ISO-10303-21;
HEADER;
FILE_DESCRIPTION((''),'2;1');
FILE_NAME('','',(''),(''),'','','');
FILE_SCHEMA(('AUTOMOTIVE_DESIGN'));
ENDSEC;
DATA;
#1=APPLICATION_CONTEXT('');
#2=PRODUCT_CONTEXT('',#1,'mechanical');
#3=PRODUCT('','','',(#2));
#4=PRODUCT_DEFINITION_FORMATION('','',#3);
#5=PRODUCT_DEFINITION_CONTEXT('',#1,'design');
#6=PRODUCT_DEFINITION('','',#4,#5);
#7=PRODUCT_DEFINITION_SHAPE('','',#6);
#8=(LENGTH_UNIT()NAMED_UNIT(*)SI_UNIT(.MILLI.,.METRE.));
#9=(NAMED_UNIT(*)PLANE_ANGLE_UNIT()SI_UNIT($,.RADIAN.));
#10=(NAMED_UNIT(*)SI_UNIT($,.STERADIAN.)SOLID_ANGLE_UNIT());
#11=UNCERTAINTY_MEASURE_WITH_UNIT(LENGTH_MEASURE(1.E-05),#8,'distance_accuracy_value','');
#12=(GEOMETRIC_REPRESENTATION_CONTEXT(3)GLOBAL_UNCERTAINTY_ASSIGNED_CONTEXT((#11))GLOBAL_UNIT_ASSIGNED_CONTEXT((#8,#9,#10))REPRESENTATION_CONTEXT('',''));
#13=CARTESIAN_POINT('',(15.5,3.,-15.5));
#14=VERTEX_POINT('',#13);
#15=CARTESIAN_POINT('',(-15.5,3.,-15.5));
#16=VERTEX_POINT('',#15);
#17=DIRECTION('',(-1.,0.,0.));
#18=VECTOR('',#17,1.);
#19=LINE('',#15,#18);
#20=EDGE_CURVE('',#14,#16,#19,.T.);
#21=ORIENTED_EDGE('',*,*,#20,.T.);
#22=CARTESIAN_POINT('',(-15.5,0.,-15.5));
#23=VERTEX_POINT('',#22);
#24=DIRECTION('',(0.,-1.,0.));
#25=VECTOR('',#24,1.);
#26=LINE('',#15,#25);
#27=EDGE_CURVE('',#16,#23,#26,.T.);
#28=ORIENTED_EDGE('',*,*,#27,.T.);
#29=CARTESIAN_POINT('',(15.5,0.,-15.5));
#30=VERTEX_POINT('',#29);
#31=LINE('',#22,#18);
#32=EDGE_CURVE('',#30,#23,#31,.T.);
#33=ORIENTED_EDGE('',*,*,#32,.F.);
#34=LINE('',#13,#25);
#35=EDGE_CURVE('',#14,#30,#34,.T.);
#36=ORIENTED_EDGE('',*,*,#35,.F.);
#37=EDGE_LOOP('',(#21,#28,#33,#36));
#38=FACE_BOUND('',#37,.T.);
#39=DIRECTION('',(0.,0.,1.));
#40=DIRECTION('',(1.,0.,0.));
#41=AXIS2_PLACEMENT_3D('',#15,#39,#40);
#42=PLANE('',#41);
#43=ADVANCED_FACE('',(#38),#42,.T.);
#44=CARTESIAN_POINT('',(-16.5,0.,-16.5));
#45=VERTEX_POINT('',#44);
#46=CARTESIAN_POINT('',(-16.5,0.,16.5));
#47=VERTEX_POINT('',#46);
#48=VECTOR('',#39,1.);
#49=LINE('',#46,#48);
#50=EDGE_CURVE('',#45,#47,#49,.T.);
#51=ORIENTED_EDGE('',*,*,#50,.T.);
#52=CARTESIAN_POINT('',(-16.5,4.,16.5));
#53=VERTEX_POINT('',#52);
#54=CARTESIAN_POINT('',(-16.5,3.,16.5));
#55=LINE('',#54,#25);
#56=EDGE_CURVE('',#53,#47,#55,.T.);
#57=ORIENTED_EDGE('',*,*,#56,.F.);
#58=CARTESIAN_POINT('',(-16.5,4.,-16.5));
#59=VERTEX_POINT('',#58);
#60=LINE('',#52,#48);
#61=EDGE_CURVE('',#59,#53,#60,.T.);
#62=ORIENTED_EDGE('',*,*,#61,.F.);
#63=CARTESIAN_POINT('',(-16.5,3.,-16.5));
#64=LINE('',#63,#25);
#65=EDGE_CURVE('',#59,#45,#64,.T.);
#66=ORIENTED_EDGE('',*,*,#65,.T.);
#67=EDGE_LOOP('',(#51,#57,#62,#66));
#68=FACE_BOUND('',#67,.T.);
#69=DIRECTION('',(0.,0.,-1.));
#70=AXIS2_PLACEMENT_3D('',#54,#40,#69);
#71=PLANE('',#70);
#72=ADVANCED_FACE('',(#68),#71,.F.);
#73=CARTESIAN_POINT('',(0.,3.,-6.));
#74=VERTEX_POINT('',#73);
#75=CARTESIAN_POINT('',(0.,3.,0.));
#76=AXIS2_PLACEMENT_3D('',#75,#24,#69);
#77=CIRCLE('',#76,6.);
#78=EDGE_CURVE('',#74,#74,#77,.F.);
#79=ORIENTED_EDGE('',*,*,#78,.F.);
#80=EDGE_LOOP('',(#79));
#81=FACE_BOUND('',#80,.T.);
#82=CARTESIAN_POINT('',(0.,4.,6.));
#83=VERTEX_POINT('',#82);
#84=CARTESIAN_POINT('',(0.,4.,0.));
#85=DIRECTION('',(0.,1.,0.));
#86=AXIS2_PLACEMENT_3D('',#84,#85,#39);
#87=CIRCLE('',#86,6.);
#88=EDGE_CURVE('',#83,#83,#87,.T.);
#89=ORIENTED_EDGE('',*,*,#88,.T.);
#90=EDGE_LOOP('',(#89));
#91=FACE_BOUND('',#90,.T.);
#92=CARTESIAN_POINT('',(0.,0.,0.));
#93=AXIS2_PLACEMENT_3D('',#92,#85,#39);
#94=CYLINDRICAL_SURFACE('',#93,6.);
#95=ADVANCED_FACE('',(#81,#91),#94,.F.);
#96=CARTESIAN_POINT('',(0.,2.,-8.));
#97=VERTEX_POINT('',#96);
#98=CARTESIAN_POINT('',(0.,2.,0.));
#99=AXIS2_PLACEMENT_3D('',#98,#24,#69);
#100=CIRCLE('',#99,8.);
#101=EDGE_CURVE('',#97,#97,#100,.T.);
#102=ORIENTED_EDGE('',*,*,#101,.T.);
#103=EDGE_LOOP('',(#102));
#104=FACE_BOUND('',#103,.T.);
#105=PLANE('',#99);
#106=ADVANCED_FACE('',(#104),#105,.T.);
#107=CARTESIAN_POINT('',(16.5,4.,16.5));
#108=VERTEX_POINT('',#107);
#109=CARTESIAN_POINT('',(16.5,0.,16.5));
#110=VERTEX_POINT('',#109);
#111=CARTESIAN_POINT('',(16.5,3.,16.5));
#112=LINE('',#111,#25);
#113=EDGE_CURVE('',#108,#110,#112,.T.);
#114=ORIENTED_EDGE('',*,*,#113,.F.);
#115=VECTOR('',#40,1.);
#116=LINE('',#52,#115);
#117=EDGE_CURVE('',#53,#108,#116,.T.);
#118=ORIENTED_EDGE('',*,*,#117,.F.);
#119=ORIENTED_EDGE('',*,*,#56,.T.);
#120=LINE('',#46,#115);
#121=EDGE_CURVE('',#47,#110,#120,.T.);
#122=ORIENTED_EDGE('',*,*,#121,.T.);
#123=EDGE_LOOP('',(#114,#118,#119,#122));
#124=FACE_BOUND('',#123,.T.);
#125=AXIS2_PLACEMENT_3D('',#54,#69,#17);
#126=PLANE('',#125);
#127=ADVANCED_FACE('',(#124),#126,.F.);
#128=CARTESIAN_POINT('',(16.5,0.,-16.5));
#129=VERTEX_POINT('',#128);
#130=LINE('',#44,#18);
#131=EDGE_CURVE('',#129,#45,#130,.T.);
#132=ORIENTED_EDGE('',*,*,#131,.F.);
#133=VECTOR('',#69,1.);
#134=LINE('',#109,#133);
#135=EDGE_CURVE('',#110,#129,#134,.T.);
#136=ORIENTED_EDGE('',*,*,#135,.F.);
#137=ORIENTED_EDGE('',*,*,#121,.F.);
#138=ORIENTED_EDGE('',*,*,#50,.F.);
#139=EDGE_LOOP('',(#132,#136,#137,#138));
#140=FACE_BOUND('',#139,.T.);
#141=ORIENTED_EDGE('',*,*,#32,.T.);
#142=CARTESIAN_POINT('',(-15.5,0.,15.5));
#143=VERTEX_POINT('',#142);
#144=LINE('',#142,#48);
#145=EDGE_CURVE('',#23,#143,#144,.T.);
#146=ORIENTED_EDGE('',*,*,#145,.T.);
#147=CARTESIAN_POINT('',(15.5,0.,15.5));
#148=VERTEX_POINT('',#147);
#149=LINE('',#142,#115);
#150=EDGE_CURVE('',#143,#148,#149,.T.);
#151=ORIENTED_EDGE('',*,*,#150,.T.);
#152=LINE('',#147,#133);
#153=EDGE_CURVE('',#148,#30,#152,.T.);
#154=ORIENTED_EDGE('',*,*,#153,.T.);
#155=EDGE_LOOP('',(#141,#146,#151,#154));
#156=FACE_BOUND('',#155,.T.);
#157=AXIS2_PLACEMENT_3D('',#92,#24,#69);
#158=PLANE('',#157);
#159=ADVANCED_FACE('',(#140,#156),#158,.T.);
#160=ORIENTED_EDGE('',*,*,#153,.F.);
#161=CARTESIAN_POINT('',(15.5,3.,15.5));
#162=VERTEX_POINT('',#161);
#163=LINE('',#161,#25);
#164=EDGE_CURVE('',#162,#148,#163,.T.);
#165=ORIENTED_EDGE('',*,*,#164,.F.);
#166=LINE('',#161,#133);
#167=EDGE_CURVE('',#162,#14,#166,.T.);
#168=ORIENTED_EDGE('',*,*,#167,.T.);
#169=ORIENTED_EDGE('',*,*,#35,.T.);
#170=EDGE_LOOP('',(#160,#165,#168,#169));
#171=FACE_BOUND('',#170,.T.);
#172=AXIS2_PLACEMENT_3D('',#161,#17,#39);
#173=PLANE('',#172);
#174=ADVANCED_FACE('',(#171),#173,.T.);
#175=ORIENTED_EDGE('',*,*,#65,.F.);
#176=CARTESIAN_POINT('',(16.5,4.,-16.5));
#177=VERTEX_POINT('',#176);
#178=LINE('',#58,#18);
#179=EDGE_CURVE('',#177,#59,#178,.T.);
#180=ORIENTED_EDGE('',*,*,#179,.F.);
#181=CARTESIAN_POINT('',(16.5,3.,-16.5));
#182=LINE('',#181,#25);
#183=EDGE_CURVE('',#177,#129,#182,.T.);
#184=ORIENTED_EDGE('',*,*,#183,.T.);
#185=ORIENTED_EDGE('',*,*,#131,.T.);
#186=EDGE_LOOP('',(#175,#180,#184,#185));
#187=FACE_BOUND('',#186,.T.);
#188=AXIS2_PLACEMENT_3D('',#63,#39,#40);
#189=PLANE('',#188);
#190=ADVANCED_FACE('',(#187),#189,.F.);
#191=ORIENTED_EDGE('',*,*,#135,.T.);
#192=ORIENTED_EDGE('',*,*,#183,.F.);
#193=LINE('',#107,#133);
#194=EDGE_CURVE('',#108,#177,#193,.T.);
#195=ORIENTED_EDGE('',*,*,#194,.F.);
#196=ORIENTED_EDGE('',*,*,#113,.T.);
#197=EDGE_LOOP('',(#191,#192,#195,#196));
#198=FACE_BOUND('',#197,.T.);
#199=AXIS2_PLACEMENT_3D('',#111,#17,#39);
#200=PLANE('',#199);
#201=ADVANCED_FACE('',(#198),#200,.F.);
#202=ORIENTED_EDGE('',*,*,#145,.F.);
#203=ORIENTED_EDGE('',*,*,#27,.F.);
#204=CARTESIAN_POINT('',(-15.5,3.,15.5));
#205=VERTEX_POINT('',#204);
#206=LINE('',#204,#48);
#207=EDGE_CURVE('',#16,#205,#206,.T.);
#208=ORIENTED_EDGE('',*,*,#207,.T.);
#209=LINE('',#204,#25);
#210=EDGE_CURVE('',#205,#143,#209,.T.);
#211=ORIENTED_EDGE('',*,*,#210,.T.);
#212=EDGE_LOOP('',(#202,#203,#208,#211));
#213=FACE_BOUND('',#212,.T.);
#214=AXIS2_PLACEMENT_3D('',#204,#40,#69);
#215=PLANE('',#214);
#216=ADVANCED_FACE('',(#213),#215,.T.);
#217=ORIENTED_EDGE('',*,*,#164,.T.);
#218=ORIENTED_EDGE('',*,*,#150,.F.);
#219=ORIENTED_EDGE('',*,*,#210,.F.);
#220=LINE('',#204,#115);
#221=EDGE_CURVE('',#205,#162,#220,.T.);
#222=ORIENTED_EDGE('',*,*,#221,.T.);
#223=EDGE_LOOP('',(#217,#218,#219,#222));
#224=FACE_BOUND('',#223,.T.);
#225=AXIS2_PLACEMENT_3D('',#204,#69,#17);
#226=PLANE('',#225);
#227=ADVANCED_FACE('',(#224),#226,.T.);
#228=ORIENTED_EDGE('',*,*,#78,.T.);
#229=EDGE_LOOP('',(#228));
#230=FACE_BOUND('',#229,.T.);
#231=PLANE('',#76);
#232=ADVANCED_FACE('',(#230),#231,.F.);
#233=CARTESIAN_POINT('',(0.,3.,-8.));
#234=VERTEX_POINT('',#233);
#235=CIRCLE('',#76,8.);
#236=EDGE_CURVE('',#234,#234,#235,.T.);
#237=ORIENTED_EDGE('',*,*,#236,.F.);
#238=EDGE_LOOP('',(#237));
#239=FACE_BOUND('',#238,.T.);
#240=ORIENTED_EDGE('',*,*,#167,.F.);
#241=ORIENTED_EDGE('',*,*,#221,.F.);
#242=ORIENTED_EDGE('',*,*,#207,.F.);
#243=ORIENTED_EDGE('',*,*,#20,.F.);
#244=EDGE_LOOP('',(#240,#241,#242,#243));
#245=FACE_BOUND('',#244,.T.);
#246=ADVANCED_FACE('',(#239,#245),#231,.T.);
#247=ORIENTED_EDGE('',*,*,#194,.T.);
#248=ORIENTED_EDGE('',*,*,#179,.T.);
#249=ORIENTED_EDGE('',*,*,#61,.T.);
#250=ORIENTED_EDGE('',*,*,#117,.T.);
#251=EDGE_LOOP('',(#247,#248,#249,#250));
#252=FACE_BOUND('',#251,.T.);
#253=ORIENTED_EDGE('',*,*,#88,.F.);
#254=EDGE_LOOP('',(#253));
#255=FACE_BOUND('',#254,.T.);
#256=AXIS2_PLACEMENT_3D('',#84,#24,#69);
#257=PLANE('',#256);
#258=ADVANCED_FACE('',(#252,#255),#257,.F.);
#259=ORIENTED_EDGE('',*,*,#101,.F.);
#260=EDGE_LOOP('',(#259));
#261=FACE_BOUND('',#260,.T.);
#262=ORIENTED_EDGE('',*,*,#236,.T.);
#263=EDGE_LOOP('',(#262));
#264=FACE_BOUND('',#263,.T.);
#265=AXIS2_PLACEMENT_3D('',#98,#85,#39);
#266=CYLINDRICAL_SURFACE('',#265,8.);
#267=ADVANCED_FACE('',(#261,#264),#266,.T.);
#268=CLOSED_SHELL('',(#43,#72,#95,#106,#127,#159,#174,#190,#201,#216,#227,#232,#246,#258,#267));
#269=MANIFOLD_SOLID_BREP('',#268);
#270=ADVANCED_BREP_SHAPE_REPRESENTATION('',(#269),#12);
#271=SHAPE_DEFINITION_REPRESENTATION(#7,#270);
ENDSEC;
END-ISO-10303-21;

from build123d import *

# Parameters (mm, degrees)
SKETCH1_W           = 33
SKETCH1_H           = 33
SKETCH1_W_2         = 31
SKETCH1_H_2         = 31
BOSS_EXTRUDE1_DEPTH = 3
SKETCH2_W           = 33
SKETCH2_H           = 33
BOSS_EXTRUDE2_DEPTH = 1
SKETCH3_R           = 6
CUT_EXTRUDE1_DEPTH  = 5
SKETCH4_R           = 8
BOSS_EXTRUDE3_DEPTH = 1


with BuildPart() as part:
    # Sketch1 → Boss-Extrude1 (new body)
    with BuildSketch(Plane(origin=(0, 0, 0), x_dir=(1, 0, 0), z_dir=(0, 1, 0))):
        Rectangle(SKETCH1_W, SKETCH1_H)
        Rectangle(SKETCH1_W_2, SKETCH1_H_2, mode=Mode.SUBTRACT)
    extrude(amount=BOSS_EXTRUDE1_DEPTH)

    # Sketch2 → Boss-Extrude2 (add)
    with BuildSketch(Plane(origin=(0, 3, 0), x_dir=(1, 0, 0), z_dir=(0, 1, 0))):
        Rectangle(SKETCH2_W, SKETCH2_H)
    extrude(amount=BOSS_EXTRUDE2_DEPTH)

    # Sketch3 → Cut-Extrude1 (cut, through all)
    with BuildSketch(Plane(origin=(0, 4, 0), x_dir=(1, 0, 0), z_dir=(0, 1, 0))):
        Circle(SKETCH3_R)
    extrude(amount=-CUT_EXTRUDE1_DEPTH, mode=Mode.SUBTRACT)

    # Sketch4 → Boss-Extrude3 (add)
    with BuildSketch(Plane.XZ.offset(-3)):
        Circle(SKETCH4_R)
    extrude(amount=BOSS_EXTRUDE3_DEPTH)


solid = part.part
